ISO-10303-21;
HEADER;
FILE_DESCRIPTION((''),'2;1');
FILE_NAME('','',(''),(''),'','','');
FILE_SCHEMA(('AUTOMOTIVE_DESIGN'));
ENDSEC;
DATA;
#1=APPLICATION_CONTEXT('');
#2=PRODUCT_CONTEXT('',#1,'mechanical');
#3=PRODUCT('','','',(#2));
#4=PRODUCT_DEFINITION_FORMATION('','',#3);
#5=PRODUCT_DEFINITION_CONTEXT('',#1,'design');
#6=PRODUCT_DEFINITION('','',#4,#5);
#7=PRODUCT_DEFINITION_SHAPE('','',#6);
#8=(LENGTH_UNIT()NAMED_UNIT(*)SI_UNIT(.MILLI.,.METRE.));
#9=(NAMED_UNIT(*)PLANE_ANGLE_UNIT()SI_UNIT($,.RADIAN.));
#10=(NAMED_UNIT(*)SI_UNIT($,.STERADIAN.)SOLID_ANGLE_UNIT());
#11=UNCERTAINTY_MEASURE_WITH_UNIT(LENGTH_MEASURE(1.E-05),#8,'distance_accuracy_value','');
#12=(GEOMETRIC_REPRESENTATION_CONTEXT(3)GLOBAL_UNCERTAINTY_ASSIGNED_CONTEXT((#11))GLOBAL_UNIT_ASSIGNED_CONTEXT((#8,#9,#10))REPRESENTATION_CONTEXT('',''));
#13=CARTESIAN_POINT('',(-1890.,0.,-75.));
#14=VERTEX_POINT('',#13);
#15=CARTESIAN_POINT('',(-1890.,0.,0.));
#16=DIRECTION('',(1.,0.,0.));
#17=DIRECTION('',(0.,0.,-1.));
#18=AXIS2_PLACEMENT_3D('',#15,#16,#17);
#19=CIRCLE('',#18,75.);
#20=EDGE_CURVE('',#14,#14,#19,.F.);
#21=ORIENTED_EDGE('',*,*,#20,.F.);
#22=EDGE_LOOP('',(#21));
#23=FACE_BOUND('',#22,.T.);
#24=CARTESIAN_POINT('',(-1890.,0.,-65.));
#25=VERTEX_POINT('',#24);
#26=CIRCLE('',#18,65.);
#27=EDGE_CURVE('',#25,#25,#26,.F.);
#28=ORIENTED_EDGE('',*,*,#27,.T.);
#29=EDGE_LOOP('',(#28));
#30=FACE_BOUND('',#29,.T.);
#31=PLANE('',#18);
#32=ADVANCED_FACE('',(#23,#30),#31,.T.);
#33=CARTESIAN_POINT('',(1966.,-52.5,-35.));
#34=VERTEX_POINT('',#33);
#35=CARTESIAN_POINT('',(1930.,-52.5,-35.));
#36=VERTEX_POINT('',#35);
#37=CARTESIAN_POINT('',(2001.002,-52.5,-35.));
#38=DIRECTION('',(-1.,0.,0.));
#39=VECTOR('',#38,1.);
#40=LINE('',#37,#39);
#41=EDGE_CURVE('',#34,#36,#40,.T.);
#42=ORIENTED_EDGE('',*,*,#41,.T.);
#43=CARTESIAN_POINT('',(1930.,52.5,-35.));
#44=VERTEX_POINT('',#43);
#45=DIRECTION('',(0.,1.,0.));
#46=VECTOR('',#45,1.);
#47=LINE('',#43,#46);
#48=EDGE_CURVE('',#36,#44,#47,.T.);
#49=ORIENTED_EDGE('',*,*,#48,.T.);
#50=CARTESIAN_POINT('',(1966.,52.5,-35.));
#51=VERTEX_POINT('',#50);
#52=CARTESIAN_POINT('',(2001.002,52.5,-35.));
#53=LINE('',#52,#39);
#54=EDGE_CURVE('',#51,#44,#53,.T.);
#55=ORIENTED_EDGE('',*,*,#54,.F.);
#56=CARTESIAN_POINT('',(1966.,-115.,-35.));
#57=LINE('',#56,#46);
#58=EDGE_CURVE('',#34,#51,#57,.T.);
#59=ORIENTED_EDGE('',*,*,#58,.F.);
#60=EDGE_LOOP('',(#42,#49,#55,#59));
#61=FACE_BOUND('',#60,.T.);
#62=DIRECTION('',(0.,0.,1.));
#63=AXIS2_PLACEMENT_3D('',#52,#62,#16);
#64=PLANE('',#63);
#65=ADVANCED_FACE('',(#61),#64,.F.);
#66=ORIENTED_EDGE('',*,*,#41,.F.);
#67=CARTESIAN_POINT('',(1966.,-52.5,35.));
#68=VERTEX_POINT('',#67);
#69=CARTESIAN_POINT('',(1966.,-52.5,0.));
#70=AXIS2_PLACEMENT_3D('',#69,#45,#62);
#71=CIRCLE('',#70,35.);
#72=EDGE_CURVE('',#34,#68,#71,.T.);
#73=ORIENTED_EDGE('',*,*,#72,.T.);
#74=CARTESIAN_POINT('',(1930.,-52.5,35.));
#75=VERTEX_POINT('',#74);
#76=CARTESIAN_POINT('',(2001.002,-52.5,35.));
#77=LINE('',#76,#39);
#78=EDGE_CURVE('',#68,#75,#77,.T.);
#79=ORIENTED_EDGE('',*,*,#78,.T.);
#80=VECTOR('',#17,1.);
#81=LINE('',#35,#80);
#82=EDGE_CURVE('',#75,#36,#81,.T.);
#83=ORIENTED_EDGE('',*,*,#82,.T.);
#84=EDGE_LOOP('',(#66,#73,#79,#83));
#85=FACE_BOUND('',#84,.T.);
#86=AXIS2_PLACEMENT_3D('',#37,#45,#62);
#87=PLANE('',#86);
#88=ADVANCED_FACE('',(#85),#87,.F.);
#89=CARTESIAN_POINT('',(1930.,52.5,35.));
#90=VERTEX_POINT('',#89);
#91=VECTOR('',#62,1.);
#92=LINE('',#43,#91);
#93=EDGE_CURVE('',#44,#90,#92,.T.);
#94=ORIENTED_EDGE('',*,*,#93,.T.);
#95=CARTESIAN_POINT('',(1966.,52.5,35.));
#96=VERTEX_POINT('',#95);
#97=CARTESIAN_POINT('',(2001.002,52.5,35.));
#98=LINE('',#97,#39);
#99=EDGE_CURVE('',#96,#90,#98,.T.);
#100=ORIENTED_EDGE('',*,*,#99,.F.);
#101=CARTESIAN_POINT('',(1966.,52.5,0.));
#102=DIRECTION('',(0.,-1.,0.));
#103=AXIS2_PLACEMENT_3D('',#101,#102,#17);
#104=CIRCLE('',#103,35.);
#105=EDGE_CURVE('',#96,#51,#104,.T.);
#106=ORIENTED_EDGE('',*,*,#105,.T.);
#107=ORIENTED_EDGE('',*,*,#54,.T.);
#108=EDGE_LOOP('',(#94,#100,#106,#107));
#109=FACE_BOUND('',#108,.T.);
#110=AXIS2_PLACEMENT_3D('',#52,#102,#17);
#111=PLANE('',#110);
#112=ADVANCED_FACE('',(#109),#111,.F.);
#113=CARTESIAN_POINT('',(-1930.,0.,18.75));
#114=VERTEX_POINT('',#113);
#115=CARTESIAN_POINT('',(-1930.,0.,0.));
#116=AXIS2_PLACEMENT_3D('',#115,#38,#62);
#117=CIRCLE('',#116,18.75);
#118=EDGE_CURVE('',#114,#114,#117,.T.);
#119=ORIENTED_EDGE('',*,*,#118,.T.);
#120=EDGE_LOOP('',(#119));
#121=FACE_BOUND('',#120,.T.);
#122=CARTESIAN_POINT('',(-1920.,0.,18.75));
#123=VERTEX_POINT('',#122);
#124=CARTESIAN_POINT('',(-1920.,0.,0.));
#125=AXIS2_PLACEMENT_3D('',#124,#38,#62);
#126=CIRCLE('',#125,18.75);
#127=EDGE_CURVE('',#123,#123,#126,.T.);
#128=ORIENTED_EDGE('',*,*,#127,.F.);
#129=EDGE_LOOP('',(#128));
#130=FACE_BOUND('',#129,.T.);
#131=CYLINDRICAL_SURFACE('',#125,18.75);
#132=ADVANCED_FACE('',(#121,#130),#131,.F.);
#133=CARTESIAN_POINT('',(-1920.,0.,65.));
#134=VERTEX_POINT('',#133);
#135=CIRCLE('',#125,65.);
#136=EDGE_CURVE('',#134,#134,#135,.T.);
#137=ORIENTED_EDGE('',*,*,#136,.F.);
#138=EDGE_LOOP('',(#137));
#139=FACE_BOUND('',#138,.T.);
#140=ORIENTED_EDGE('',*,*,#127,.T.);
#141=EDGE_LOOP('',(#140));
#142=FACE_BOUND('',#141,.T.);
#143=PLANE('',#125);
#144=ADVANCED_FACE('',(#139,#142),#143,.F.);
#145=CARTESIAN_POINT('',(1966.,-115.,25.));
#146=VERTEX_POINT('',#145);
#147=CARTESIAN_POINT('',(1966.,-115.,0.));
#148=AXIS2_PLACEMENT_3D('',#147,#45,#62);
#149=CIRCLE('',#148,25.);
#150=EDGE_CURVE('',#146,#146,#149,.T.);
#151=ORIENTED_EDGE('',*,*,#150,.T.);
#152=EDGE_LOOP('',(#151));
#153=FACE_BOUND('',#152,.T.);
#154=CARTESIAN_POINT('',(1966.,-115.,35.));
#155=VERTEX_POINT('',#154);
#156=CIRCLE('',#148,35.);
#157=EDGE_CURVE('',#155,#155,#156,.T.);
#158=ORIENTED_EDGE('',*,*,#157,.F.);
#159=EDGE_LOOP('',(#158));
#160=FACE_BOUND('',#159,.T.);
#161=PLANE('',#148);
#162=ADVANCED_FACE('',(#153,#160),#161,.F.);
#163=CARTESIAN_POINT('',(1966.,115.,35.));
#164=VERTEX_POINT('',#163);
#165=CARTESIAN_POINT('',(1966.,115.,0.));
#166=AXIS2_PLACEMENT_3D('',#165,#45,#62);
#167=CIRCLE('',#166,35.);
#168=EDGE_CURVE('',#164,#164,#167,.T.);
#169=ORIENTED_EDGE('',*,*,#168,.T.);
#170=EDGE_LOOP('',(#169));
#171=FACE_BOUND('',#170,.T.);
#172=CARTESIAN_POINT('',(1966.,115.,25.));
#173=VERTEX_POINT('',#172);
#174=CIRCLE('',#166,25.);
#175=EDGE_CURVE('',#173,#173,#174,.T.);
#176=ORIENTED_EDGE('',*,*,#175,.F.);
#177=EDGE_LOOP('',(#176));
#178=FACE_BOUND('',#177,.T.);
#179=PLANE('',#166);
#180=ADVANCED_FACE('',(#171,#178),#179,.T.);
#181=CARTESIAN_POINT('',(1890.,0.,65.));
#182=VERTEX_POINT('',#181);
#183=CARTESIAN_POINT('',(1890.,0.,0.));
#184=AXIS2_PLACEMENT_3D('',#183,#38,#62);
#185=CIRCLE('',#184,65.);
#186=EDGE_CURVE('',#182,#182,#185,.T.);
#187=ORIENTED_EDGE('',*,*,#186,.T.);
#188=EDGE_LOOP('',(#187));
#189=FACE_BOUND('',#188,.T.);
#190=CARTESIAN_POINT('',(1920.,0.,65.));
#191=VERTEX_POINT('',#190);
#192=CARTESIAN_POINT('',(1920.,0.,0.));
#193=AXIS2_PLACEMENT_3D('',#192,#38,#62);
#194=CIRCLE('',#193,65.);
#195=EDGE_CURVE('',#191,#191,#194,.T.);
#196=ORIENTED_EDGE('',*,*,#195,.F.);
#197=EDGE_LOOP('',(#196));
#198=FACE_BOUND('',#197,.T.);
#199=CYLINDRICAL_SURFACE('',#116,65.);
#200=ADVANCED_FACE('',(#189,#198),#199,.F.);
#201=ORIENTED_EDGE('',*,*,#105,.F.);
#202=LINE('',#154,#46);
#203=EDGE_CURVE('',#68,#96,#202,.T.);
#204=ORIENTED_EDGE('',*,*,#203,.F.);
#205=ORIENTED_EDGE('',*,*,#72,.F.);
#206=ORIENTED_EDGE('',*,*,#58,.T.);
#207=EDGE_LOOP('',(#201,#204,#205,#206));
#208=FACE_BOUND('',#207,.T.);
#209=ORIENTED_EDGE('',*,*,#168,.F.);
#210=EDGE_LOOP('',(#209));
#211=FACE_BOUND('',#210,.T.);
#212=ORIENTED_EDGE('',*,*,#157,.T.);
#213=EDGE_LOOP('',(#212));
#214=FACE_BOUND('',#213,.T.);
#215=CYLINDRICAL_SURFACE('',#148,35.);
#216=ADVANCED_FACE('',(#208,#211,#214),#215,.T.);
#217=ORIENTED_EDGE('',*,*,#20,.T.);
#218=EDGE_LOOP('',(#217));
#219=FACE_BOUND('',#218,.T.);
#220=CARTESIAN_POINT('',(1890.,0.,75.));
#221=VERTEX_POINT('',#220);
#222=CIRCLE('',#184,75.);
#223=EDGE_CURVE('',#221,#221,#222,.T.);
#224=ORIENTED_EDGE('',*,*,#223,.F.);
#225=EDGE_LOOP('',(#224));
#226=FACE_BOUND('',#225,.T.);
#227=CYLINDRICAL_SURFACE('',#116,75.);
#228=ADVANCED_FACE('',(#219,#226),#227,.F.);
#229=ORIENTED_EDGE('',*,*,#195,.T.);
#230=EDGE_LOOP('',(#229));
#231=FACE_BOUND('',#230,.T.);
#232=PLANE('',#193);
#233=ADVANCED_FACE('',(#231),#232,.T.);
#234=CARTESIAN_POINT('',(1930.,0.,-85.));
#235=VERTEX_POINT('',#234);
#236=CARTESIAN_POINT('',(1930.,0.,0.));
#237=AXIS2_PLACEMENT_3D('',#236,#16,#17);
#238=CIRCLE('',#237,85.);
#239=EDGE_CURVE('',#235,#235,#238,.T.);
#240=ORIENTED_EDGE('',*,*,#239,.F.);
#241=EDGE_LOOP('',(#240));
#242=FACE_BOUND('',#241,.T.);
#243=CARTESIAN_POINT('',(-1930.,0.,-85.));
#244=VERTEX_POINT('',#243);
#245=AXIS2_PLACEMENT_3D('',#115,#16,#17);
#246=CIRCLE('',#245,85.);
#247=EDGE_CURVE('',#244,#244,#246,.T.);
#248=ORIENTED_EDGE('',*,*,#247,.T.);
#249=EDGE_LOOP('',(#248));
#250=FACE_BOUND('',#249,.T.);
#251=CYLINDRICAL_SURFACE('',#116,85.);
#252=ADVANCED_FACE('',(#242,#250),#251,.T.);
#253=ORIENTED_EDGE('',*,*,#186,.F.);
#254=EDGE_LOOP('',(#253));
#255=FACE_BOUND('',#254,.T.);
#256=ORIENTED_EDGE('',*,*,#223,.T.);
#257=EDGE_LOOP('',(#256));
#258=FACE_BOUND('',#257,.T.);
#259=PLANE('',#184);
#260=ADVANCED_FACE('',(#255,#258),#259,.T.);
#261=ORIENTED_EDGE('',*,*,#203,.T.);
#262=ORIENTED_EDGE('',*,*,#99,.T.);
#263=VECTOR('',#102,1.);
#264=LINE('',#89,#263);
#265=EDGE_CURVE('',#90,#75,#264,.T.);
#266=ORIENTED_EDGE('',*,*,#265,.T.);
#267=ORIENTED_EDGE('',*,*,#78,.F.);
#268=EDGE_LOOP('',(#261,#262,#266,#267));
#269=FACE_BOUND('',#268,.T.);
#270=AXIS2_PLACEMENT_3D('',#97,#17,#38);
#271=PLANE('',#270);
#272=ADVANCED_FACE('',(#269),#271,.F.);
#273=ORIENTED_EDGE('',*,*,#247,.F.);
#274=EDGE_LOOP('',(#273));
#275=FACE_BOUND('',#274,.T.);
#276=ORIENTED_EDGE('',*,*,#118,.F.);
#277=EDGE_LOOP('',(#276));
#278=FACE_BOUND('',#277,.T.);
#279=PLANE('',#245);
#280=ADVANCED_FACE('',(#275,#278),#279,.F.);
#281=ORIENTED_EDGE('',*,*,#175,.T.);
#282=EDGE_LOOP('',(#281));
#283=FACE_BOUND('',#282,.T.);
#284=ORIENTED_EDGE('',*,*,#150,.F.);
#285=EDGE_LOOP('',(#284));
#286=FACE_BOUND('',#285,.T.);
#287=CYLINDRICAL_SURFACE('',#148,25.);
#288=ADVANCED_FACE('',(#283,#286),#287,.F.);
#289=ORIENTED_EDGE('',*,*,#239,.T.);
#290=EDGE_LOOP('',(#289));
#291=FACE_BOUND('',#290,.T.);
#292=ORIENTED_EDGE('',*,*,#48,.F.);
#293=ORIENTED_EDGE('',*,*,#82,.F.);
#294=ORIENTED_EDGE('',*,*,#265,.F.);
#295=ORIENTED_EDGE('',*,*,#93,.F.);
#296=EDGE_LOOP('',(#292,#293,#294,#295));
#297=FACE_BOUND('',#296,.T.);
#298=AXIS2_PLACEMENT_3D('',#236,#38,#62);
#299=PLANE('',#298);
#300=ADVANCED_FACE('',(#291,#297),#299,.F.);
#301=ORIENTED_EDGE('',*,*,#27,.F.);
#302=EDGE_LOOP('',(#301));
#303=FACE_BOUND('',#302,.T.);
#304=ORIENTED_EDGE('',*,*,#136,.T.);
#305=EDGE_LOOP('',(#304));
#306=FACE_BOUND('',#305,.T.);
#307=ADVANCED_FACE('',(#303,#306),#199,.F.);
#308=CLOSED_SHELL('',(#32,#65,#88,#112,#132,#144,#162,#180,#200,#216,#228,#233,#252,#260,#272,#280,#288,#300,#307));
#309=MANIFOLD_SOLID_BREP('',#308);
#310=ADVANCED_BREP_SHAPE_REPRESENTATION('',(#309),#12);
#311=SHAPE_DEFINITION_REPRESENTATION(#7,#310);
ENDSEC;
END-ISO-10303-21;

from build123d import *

# Parameters (mm, degrees)
CILINDAR_SHELL1_T                 = -10
CILINDAR_SKETCH3_W                = 30
CILINDAR_SKETCH3_H                = 10
CILINDAR_BOSS_EXTRUDE1_DEPTH      = 115
CILINDAR_BOSS_EXTRUDE1_DEPTH_BACK = 115
CILINDAR_SKETCH2_R                = 35
CILINDAR_SKETCH2_R_2              = 25
CILINDAR_BOSS_EXTRUDE7_REACH      = 3864.648
CILINDAR_BOSS_EXTRUDE7_END_RADIUS = 35
CILINDAR_SKETCH6_W                = 70
CILINDAR_SKETCH6_H                = 105
CILINDAR_SKETCH7_R                = 65
CILINDAR_SKETCH7_R_2              = 18.75
CILINDAR_BOSS_EXTRUDE8_DEPTH      = 10


with BuildPart() as part:
    # cilindar_Sketch1 → cilindar_Revolve1 (revolve)
    with BuildSketch(Plane(origin=(0, 0, 0), x_dir=(1, 0, 0), z_dir=(0, 1, 0)), mode=Mode.PRIVATE) as cilindar_revolve1_sk:
        Polygon((-1900, 75), (-1930, 75), (-1930, 0), (1930, 0), (1930, 75), (1900, 75), (1900, 85), (-1900, 85), align=None)
    revolve(cilindar_revolve1_sk.sketch.rotate(Axis((-1930, 0, 0), (1, 0, 0)), 180), axis=Axis((-1930, 0, 0), (1, 0, 0)))

    # cilindar_Shell1
    cilindar_shell1_openings = [part.faces().sort_by_distance(p)[0] for p in [
        (-1930, 0, 0),
    ]]
    offset(amount=CILINDAR_SHELL1_T, openings=cilindar_shell1_openings, kind=Kind.INTERSECTION)

    # cilindar_Sketch3 → cilindar_Revolve2 (revolve)
    with BuildSketch(Plane(origin=(0, 0, 0), x_dir=(1, 0, 0), z_dir=(0, 1, 0))):
        with Locations((-1915, 80)):
            Rectangle(CILINDAR_SKETCH3_W, CILINDAR_SKETCH3_H)
    cilindar_revolve2 = revolve(axis=Axis((1890, 0, 0), (-1, 0, 0)))

    # cilindar_Mirror2: cilindar_Revolve2 across plane
    add(cilindar_revolve2.mirror(Plane(origin=(0, 0, 0), x_dir=(0, 0, 1), z_dir=(1, 0, 0))))



with BuildPart() as body_2:
    # cilindar_Sketch2 → cilindar_Boss-Extrude1 (new, two sides: drawn at the far end of the back side and taken through both)
    with BuildSketch(Plane(origin=(0, 0, 0), x_dir=(1, 0, 0), z_dir=(0, 1, 0)).offset(-CILINDAR_BOSS_EXTRUDE1_DEPTH_BACK)):
        with Locations(Location((1966, 0, 0), (0, 0, 270))):
            Circle(CILINDAR_SKETCH2_R)
        with Locations(Location((1966, 0, 0), (0, 0, 270))):
            Circle(CILINDAR_SKETCH2_R_2, mode=Mode.SUBTRACT)
    extrude(amount=CILINDAR_BOSS_EXTRUDE1_DEPTH + CILINDAR_BOSS_EXTRUDE1_DEPTH_BACK)


with BuildPart() as part_1:
    add(part.part)

    add(body_2.part)  # cilindar_Boss-Extrude7 merges body 2
    # cilindar_Boss-Extrude7: up to this cylinder (the profile starts outside it)
    cilindar_boss_extrude7_end = Plane(origin=(1966, 0, 0), z_dir=(0, 1, 0)) * Cylinder(CILINDAR_BOSS_EXTRUDE7_END_RADIUS, 7800.296, mode=Mode.PRIVATE)
    # cilindar_Sketch6 → cilindar_Boss-Extrude7 (add, up to the surface)
    with BuildSketch(Plane(origin=(1930, 0, 0), x_dir=(0, 0, -1), z_dir=(1, 0, 0)), mode=Mode.PRIVATE) as cilindar_boss_extrude7_sk1:
        Rectangle(CILINDAR_SKETCH6_W, CILINDAR_SKETCH6_H)
    cilindar_boss_extrude7_tool1 = extrude(cilindar_boss_extrude7_sk1.sketch, amount=CILINDAR_BOSS_EXTRUDE7_REACH, mode=Mode.PRIVATE) - cilindar_boss_extrude7_end
    add(cilindar_boss_extrude7_tool1.solids().sort_by_distance((1930, 0, 0))[0])

    # cilindar_Sketch7 → cilindar_Boss-Extrude8 (add)
    with BuildSketch(Plane.ZY.offset(1930)):
        Circle(CILINDAR_SKETCH7_R)
        Circle(CILINDAR_SKETCH7_R_2, mode=Mode.SUBTRACT)
    extrude(amount=-CILINDAR_BOSS_EXTRUDE8_DEPTH)


solid = part_1.part
